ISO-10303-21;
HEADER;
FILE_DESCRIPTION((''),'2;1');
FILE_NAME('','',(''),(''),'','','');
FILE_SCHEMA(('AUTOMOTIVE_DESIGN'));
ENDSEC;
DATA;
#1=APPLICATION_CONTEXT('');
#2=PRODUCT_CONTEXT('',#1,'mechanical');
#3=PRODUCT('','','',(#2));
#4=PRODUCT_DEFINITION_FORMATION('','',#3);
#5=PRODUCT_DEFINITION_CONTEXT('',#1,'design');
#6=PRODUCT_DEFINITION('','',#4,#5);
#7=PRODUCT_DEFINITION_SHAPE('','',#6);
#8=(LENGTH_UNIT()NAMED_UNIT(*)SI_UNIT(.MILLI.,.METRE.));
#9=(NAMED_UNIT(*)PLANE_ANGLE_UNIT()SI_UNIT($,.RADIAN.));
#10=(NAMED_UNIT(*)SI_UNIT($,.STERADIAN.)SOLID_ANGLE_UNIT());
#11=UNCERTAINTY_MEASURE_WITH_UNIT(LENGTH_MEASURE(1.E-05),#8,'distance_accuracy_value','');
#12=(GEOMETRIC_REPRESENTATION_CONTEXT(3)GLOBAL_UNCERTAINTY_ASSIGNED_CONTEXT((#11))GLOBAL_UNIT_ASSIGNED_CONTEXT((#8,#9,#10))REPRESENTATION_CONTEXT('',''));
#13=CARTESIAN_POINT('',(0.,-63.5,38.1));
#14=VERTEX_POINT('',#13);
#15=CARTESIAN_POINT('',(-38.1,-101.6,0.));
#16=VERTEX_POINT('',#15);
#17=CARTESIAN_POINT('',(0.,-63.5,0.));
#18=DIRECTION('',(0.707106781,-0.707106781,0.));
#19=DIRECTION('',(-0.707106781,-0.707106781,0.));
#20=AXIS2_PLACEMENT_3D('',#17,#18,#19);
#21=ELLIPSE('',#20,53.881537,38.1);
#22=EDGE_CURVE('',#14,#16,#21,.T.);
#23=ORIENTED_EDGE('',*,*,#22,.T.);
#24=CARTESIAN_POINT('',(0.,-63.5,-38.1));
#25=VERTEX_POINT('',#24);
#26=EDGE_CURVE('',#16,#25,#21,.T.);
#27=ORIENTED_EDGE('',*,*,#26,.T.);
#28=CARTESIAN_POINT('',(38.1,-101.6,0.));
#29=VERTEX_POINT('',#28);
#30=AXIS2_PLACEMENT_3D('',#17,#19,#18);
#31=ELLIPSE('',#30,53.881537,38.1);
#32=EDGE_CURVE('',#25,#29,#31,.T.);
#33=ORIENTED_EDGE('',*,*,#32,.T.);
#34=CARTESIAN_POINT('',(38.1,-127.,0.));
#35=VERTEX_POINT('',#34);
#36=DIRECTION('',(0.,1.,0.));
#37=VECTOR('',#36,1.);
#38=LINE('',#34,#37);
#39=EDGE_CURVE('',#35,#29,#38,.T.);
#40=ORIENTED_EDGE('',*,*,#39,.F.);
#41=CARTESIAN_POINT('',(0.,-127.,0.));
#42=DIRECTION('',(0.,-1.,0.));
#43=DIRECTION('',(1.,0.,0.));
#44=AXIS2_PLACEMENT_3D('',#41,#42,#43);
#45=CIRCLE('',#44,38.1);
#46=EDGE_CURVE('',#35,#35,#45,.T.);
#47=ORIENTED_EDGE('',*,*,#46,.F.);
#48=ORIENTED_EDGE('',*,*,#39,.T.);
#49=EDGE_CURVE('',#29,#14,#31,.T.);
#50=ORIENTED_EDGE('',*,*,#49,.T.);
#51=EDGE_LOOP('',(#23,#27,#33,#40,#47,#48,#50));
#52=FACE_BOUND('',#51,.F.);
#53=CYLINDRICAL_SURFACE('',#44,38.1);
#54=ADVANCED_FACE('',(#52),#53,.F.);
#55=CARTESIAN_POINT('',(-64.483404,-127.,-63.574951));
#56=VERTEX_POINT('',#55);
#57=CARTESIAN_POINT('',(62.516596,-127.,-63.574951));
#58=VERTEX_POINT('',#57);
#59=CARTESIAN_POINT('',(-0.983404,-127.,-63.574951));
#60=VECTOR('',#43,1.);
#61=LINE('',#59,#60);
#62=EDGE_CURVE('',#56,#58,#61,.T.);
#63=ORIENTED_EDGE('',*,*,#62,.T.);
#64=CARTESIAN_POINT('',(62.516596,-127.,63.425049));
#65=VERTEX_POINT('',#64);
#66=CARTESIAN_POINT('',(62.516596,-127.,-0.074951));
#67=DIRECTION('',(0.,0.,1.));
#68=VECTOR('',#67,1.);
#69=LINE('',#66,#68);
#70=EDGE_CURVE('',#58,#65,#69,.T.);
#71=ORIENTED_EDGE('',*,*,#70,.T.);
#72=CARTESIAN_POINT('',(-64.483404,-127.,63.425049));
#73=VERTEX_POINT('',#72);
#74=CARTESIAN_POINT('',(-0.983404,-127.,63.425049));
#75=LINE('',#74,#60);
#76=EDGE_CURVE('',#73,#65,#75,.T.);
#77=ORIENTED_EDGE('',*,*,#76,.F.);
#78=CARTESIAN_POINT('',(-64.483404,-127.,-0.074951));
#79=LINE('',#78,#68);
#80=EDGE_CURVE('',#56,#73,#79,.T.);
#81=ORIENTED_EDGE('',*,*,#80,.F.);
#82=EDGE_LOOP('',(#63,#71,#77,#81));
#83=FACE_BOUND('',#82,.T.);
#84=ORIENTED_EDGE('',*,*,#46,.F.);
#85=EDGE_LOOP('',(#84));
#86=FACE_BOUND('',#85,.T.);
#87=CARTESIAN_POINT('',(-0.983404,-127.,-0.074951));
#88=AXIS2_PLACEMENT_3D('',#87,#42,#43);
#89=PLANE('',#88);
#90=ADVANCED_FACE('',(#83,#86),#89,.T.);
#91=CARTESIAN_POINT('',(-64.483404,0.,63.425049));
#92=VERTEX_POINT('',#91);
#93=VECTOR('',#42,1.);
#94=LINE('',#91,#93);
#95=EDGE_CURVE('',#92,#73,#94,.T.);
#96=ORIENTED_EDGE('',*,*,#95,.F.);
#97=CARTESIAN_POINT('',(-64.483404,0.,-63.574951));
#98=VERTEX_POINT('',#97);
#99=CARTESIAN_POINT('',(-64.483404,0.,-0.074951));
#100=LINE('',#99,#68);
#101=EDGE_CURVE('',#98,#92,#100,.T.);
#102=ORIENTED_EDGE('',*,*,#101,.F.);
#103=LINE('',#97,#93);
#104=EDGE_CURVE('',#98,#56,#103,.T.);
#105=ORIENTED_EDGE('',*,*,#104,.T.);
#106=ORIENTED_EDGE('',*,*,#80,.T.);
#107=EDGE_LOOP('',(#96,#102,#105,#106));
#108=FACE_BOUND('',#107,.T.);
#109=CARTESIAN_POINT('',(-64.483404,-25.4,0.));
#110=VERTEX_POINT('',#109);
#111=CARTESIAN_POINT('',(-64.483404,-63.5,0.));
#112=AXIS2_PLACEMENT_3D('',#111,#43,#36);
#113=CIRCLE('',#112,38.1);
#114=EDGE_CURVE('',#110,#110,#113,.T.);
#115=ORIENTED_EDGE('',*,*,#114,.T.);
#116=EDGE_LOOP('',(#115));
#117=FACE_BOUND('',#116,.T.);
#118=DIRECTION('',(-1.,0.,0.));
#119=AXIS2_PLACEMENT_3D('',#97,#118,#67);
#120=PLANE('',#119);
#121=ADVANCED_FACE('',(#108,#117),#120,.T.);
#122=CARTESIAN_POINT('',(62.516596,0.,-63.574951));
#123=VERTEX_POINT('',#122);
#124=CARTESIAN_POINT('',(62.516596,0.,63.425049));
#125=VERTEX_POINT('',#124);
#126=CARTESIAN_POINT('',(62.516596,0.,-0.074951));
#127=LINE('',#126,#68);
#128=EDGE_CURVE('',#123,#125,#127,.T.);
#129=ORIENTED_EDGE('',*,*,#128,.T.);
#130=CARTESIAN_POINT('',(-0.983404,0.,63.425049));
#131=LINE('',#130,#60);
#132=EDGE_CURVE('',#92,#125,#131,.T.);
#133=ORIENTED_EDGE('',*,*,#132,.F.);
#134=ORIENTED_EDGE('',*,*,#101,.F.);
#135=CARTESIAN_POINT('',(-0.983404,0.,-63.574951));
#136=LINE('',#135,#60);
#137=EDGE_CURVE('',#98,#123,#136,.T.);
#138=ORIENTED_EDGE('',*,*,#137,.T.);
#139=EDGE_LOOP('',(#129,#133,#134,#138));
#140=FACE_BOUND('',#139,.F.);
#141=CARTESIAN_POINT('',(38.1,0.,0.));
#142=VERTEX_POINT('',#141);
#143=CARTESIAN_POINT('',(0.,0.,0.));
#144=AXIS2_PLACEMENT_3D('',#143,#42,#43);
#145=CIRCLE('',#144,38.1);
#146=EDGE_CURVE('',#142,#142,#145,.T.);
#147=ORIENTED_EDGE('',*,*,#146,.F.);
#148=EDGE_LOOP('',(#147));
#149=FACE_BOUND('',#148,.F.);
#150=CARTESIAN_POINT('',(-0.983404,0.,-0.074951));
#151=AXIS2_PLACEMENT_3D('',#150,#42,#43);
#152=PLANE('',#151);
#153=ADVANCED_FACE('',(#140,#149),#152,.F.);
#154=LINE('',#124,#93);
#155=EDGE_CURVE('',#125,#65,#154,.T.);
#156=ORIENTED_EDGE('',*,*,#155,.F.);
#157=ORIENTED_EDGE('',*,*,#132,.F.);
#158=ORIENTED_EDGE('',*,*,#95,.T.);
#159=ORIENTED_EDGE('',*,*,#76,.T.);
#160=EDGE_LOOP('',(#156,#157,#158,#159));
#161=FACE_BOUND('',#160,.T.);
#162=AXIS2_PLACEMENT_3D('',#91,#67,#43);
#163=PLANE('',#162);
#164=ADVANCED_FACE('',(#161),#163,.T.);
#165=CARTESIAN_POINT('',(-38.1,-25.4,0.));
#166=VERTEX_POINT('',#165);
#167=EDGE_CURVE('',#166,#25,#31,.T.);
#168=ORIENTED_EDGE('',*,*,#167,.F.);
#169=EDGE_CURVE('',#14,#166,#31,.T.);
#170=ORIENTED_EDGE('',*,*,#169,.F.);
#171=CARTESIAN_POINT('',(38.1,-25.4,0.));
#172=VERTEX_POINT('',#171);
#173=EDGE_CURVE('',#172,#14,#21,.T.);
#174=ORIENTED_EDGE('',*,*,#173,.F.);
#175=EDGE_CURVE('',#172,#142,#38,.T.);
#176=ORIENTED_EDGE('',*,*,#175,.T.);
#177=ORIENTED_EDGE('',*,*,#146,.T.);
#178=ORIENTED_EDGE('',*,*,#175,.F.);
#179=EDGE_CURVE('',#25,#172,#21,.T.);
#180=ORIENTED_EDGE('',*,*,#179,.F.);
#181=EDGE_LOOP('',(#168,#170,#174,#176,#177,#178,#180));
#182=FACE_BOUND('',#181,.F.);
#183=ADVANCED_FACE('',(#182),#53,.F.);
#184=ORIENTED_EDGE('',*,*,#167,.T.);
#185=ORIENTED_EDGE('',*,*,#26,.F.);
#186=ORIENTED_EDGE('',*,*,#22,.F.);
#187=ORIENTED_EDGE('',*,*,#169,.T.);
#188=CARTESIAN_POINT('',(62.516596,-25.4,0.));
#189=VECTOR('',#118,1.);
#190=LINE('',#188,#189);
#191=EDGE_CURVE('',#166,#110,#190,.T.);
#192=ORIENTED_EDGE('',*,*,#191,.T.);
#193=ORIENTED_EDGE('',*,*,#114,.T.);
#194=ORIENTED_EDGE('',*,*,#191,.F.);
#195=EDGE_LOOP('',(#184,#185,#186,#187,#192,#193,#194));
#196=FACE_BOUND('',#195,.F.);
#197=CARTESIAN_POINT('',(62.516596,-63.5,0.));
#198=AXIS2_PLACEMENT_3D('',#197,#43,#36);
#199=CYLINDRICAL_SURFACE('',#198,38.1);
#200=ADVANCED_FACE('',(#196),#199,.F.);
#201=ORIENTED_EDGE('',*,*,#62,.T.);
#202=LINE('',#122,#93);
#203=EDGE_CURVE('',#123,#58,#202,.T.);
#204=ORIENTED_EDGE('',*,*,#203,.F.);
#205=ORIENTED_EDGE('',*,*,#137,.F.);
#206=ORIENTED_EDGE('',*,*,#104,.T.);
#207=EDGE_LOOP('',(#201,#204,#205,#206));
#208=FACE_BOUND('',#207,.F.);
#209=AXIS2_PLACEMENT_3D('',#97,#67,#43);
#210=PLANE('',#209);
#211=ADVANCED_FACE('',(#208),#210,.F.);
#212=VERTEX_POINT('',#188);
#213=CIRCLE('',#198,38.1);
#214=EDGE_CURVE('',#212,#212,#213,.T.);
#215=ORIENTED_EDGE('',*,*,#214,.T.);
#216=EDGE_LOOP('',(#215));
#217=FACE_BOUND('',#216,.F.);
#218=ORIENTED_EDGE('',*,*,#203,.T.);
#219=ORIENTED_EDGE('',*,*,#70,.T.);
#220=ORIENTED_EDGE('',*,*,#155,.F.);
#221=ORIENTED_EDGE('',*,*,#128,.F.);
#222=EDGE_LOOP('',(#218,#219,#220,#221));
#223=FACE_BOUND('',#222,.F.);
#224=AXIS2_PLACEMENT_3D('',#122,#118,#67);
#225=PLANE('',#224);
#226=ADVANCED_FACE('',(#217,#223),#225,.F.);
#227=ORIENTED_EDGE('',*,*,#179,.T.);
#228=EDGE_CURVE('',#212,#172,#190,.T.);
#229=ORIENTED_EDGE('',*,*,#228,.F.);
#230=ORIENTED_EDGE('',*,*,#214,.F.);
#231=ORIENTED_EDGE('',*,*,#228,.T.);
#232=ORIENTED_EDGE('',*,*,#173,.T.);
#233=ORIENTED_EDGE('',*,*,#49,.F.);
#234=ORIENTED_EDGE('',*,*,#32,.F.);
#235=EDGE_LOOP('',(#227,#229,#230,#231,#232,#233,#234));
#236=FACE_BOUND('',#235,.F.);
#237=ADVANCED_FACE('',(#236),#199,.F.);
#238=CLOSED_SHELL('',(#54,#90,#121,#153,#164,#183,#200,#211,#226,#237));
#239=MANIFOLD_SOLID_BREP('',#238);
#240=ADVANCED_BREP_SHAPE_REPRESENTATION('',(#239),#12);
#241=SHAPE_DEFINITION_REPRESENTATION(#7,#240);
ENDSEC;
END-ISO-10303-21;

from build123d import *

# Parameters (mm, degrees)
F0_W     = 127
F0_H     = 127
F1_DEPTH = 127
F2_R     = 38.1
F3_DEPTH = 127.001
F4_R     = 38.1
F5_DEPTH = 127.001


with BuildPart() as f1:
    # F0 (on Front) → F1 (new body)
    with BuildSketch(Plane.XZ):
        with Locations((-0.983404, -0.074951)):
            Rectangle(F0_W, F0_H)
    extrude(amount=F1_DEPTH)

    # F2 (on face) → F3 (cut, through all)
    with BuildSketch(Plane.XZ.offset(127)):
        Circle(F2_R)
    extrude(amount=-F3_DEPTH, mode=Mode.SUBTRACT)

    # F4 (on face) → F5 (cut, through all)
    with BuildSketch(Plane.YZ.offset(62.516596)):
        with Locations((-63.5, 0)):
            Circle(F4_R)
    extrude(amount=-F5_DEPTH, mode=Mode.SUBTRACT)


solid = f1.part
